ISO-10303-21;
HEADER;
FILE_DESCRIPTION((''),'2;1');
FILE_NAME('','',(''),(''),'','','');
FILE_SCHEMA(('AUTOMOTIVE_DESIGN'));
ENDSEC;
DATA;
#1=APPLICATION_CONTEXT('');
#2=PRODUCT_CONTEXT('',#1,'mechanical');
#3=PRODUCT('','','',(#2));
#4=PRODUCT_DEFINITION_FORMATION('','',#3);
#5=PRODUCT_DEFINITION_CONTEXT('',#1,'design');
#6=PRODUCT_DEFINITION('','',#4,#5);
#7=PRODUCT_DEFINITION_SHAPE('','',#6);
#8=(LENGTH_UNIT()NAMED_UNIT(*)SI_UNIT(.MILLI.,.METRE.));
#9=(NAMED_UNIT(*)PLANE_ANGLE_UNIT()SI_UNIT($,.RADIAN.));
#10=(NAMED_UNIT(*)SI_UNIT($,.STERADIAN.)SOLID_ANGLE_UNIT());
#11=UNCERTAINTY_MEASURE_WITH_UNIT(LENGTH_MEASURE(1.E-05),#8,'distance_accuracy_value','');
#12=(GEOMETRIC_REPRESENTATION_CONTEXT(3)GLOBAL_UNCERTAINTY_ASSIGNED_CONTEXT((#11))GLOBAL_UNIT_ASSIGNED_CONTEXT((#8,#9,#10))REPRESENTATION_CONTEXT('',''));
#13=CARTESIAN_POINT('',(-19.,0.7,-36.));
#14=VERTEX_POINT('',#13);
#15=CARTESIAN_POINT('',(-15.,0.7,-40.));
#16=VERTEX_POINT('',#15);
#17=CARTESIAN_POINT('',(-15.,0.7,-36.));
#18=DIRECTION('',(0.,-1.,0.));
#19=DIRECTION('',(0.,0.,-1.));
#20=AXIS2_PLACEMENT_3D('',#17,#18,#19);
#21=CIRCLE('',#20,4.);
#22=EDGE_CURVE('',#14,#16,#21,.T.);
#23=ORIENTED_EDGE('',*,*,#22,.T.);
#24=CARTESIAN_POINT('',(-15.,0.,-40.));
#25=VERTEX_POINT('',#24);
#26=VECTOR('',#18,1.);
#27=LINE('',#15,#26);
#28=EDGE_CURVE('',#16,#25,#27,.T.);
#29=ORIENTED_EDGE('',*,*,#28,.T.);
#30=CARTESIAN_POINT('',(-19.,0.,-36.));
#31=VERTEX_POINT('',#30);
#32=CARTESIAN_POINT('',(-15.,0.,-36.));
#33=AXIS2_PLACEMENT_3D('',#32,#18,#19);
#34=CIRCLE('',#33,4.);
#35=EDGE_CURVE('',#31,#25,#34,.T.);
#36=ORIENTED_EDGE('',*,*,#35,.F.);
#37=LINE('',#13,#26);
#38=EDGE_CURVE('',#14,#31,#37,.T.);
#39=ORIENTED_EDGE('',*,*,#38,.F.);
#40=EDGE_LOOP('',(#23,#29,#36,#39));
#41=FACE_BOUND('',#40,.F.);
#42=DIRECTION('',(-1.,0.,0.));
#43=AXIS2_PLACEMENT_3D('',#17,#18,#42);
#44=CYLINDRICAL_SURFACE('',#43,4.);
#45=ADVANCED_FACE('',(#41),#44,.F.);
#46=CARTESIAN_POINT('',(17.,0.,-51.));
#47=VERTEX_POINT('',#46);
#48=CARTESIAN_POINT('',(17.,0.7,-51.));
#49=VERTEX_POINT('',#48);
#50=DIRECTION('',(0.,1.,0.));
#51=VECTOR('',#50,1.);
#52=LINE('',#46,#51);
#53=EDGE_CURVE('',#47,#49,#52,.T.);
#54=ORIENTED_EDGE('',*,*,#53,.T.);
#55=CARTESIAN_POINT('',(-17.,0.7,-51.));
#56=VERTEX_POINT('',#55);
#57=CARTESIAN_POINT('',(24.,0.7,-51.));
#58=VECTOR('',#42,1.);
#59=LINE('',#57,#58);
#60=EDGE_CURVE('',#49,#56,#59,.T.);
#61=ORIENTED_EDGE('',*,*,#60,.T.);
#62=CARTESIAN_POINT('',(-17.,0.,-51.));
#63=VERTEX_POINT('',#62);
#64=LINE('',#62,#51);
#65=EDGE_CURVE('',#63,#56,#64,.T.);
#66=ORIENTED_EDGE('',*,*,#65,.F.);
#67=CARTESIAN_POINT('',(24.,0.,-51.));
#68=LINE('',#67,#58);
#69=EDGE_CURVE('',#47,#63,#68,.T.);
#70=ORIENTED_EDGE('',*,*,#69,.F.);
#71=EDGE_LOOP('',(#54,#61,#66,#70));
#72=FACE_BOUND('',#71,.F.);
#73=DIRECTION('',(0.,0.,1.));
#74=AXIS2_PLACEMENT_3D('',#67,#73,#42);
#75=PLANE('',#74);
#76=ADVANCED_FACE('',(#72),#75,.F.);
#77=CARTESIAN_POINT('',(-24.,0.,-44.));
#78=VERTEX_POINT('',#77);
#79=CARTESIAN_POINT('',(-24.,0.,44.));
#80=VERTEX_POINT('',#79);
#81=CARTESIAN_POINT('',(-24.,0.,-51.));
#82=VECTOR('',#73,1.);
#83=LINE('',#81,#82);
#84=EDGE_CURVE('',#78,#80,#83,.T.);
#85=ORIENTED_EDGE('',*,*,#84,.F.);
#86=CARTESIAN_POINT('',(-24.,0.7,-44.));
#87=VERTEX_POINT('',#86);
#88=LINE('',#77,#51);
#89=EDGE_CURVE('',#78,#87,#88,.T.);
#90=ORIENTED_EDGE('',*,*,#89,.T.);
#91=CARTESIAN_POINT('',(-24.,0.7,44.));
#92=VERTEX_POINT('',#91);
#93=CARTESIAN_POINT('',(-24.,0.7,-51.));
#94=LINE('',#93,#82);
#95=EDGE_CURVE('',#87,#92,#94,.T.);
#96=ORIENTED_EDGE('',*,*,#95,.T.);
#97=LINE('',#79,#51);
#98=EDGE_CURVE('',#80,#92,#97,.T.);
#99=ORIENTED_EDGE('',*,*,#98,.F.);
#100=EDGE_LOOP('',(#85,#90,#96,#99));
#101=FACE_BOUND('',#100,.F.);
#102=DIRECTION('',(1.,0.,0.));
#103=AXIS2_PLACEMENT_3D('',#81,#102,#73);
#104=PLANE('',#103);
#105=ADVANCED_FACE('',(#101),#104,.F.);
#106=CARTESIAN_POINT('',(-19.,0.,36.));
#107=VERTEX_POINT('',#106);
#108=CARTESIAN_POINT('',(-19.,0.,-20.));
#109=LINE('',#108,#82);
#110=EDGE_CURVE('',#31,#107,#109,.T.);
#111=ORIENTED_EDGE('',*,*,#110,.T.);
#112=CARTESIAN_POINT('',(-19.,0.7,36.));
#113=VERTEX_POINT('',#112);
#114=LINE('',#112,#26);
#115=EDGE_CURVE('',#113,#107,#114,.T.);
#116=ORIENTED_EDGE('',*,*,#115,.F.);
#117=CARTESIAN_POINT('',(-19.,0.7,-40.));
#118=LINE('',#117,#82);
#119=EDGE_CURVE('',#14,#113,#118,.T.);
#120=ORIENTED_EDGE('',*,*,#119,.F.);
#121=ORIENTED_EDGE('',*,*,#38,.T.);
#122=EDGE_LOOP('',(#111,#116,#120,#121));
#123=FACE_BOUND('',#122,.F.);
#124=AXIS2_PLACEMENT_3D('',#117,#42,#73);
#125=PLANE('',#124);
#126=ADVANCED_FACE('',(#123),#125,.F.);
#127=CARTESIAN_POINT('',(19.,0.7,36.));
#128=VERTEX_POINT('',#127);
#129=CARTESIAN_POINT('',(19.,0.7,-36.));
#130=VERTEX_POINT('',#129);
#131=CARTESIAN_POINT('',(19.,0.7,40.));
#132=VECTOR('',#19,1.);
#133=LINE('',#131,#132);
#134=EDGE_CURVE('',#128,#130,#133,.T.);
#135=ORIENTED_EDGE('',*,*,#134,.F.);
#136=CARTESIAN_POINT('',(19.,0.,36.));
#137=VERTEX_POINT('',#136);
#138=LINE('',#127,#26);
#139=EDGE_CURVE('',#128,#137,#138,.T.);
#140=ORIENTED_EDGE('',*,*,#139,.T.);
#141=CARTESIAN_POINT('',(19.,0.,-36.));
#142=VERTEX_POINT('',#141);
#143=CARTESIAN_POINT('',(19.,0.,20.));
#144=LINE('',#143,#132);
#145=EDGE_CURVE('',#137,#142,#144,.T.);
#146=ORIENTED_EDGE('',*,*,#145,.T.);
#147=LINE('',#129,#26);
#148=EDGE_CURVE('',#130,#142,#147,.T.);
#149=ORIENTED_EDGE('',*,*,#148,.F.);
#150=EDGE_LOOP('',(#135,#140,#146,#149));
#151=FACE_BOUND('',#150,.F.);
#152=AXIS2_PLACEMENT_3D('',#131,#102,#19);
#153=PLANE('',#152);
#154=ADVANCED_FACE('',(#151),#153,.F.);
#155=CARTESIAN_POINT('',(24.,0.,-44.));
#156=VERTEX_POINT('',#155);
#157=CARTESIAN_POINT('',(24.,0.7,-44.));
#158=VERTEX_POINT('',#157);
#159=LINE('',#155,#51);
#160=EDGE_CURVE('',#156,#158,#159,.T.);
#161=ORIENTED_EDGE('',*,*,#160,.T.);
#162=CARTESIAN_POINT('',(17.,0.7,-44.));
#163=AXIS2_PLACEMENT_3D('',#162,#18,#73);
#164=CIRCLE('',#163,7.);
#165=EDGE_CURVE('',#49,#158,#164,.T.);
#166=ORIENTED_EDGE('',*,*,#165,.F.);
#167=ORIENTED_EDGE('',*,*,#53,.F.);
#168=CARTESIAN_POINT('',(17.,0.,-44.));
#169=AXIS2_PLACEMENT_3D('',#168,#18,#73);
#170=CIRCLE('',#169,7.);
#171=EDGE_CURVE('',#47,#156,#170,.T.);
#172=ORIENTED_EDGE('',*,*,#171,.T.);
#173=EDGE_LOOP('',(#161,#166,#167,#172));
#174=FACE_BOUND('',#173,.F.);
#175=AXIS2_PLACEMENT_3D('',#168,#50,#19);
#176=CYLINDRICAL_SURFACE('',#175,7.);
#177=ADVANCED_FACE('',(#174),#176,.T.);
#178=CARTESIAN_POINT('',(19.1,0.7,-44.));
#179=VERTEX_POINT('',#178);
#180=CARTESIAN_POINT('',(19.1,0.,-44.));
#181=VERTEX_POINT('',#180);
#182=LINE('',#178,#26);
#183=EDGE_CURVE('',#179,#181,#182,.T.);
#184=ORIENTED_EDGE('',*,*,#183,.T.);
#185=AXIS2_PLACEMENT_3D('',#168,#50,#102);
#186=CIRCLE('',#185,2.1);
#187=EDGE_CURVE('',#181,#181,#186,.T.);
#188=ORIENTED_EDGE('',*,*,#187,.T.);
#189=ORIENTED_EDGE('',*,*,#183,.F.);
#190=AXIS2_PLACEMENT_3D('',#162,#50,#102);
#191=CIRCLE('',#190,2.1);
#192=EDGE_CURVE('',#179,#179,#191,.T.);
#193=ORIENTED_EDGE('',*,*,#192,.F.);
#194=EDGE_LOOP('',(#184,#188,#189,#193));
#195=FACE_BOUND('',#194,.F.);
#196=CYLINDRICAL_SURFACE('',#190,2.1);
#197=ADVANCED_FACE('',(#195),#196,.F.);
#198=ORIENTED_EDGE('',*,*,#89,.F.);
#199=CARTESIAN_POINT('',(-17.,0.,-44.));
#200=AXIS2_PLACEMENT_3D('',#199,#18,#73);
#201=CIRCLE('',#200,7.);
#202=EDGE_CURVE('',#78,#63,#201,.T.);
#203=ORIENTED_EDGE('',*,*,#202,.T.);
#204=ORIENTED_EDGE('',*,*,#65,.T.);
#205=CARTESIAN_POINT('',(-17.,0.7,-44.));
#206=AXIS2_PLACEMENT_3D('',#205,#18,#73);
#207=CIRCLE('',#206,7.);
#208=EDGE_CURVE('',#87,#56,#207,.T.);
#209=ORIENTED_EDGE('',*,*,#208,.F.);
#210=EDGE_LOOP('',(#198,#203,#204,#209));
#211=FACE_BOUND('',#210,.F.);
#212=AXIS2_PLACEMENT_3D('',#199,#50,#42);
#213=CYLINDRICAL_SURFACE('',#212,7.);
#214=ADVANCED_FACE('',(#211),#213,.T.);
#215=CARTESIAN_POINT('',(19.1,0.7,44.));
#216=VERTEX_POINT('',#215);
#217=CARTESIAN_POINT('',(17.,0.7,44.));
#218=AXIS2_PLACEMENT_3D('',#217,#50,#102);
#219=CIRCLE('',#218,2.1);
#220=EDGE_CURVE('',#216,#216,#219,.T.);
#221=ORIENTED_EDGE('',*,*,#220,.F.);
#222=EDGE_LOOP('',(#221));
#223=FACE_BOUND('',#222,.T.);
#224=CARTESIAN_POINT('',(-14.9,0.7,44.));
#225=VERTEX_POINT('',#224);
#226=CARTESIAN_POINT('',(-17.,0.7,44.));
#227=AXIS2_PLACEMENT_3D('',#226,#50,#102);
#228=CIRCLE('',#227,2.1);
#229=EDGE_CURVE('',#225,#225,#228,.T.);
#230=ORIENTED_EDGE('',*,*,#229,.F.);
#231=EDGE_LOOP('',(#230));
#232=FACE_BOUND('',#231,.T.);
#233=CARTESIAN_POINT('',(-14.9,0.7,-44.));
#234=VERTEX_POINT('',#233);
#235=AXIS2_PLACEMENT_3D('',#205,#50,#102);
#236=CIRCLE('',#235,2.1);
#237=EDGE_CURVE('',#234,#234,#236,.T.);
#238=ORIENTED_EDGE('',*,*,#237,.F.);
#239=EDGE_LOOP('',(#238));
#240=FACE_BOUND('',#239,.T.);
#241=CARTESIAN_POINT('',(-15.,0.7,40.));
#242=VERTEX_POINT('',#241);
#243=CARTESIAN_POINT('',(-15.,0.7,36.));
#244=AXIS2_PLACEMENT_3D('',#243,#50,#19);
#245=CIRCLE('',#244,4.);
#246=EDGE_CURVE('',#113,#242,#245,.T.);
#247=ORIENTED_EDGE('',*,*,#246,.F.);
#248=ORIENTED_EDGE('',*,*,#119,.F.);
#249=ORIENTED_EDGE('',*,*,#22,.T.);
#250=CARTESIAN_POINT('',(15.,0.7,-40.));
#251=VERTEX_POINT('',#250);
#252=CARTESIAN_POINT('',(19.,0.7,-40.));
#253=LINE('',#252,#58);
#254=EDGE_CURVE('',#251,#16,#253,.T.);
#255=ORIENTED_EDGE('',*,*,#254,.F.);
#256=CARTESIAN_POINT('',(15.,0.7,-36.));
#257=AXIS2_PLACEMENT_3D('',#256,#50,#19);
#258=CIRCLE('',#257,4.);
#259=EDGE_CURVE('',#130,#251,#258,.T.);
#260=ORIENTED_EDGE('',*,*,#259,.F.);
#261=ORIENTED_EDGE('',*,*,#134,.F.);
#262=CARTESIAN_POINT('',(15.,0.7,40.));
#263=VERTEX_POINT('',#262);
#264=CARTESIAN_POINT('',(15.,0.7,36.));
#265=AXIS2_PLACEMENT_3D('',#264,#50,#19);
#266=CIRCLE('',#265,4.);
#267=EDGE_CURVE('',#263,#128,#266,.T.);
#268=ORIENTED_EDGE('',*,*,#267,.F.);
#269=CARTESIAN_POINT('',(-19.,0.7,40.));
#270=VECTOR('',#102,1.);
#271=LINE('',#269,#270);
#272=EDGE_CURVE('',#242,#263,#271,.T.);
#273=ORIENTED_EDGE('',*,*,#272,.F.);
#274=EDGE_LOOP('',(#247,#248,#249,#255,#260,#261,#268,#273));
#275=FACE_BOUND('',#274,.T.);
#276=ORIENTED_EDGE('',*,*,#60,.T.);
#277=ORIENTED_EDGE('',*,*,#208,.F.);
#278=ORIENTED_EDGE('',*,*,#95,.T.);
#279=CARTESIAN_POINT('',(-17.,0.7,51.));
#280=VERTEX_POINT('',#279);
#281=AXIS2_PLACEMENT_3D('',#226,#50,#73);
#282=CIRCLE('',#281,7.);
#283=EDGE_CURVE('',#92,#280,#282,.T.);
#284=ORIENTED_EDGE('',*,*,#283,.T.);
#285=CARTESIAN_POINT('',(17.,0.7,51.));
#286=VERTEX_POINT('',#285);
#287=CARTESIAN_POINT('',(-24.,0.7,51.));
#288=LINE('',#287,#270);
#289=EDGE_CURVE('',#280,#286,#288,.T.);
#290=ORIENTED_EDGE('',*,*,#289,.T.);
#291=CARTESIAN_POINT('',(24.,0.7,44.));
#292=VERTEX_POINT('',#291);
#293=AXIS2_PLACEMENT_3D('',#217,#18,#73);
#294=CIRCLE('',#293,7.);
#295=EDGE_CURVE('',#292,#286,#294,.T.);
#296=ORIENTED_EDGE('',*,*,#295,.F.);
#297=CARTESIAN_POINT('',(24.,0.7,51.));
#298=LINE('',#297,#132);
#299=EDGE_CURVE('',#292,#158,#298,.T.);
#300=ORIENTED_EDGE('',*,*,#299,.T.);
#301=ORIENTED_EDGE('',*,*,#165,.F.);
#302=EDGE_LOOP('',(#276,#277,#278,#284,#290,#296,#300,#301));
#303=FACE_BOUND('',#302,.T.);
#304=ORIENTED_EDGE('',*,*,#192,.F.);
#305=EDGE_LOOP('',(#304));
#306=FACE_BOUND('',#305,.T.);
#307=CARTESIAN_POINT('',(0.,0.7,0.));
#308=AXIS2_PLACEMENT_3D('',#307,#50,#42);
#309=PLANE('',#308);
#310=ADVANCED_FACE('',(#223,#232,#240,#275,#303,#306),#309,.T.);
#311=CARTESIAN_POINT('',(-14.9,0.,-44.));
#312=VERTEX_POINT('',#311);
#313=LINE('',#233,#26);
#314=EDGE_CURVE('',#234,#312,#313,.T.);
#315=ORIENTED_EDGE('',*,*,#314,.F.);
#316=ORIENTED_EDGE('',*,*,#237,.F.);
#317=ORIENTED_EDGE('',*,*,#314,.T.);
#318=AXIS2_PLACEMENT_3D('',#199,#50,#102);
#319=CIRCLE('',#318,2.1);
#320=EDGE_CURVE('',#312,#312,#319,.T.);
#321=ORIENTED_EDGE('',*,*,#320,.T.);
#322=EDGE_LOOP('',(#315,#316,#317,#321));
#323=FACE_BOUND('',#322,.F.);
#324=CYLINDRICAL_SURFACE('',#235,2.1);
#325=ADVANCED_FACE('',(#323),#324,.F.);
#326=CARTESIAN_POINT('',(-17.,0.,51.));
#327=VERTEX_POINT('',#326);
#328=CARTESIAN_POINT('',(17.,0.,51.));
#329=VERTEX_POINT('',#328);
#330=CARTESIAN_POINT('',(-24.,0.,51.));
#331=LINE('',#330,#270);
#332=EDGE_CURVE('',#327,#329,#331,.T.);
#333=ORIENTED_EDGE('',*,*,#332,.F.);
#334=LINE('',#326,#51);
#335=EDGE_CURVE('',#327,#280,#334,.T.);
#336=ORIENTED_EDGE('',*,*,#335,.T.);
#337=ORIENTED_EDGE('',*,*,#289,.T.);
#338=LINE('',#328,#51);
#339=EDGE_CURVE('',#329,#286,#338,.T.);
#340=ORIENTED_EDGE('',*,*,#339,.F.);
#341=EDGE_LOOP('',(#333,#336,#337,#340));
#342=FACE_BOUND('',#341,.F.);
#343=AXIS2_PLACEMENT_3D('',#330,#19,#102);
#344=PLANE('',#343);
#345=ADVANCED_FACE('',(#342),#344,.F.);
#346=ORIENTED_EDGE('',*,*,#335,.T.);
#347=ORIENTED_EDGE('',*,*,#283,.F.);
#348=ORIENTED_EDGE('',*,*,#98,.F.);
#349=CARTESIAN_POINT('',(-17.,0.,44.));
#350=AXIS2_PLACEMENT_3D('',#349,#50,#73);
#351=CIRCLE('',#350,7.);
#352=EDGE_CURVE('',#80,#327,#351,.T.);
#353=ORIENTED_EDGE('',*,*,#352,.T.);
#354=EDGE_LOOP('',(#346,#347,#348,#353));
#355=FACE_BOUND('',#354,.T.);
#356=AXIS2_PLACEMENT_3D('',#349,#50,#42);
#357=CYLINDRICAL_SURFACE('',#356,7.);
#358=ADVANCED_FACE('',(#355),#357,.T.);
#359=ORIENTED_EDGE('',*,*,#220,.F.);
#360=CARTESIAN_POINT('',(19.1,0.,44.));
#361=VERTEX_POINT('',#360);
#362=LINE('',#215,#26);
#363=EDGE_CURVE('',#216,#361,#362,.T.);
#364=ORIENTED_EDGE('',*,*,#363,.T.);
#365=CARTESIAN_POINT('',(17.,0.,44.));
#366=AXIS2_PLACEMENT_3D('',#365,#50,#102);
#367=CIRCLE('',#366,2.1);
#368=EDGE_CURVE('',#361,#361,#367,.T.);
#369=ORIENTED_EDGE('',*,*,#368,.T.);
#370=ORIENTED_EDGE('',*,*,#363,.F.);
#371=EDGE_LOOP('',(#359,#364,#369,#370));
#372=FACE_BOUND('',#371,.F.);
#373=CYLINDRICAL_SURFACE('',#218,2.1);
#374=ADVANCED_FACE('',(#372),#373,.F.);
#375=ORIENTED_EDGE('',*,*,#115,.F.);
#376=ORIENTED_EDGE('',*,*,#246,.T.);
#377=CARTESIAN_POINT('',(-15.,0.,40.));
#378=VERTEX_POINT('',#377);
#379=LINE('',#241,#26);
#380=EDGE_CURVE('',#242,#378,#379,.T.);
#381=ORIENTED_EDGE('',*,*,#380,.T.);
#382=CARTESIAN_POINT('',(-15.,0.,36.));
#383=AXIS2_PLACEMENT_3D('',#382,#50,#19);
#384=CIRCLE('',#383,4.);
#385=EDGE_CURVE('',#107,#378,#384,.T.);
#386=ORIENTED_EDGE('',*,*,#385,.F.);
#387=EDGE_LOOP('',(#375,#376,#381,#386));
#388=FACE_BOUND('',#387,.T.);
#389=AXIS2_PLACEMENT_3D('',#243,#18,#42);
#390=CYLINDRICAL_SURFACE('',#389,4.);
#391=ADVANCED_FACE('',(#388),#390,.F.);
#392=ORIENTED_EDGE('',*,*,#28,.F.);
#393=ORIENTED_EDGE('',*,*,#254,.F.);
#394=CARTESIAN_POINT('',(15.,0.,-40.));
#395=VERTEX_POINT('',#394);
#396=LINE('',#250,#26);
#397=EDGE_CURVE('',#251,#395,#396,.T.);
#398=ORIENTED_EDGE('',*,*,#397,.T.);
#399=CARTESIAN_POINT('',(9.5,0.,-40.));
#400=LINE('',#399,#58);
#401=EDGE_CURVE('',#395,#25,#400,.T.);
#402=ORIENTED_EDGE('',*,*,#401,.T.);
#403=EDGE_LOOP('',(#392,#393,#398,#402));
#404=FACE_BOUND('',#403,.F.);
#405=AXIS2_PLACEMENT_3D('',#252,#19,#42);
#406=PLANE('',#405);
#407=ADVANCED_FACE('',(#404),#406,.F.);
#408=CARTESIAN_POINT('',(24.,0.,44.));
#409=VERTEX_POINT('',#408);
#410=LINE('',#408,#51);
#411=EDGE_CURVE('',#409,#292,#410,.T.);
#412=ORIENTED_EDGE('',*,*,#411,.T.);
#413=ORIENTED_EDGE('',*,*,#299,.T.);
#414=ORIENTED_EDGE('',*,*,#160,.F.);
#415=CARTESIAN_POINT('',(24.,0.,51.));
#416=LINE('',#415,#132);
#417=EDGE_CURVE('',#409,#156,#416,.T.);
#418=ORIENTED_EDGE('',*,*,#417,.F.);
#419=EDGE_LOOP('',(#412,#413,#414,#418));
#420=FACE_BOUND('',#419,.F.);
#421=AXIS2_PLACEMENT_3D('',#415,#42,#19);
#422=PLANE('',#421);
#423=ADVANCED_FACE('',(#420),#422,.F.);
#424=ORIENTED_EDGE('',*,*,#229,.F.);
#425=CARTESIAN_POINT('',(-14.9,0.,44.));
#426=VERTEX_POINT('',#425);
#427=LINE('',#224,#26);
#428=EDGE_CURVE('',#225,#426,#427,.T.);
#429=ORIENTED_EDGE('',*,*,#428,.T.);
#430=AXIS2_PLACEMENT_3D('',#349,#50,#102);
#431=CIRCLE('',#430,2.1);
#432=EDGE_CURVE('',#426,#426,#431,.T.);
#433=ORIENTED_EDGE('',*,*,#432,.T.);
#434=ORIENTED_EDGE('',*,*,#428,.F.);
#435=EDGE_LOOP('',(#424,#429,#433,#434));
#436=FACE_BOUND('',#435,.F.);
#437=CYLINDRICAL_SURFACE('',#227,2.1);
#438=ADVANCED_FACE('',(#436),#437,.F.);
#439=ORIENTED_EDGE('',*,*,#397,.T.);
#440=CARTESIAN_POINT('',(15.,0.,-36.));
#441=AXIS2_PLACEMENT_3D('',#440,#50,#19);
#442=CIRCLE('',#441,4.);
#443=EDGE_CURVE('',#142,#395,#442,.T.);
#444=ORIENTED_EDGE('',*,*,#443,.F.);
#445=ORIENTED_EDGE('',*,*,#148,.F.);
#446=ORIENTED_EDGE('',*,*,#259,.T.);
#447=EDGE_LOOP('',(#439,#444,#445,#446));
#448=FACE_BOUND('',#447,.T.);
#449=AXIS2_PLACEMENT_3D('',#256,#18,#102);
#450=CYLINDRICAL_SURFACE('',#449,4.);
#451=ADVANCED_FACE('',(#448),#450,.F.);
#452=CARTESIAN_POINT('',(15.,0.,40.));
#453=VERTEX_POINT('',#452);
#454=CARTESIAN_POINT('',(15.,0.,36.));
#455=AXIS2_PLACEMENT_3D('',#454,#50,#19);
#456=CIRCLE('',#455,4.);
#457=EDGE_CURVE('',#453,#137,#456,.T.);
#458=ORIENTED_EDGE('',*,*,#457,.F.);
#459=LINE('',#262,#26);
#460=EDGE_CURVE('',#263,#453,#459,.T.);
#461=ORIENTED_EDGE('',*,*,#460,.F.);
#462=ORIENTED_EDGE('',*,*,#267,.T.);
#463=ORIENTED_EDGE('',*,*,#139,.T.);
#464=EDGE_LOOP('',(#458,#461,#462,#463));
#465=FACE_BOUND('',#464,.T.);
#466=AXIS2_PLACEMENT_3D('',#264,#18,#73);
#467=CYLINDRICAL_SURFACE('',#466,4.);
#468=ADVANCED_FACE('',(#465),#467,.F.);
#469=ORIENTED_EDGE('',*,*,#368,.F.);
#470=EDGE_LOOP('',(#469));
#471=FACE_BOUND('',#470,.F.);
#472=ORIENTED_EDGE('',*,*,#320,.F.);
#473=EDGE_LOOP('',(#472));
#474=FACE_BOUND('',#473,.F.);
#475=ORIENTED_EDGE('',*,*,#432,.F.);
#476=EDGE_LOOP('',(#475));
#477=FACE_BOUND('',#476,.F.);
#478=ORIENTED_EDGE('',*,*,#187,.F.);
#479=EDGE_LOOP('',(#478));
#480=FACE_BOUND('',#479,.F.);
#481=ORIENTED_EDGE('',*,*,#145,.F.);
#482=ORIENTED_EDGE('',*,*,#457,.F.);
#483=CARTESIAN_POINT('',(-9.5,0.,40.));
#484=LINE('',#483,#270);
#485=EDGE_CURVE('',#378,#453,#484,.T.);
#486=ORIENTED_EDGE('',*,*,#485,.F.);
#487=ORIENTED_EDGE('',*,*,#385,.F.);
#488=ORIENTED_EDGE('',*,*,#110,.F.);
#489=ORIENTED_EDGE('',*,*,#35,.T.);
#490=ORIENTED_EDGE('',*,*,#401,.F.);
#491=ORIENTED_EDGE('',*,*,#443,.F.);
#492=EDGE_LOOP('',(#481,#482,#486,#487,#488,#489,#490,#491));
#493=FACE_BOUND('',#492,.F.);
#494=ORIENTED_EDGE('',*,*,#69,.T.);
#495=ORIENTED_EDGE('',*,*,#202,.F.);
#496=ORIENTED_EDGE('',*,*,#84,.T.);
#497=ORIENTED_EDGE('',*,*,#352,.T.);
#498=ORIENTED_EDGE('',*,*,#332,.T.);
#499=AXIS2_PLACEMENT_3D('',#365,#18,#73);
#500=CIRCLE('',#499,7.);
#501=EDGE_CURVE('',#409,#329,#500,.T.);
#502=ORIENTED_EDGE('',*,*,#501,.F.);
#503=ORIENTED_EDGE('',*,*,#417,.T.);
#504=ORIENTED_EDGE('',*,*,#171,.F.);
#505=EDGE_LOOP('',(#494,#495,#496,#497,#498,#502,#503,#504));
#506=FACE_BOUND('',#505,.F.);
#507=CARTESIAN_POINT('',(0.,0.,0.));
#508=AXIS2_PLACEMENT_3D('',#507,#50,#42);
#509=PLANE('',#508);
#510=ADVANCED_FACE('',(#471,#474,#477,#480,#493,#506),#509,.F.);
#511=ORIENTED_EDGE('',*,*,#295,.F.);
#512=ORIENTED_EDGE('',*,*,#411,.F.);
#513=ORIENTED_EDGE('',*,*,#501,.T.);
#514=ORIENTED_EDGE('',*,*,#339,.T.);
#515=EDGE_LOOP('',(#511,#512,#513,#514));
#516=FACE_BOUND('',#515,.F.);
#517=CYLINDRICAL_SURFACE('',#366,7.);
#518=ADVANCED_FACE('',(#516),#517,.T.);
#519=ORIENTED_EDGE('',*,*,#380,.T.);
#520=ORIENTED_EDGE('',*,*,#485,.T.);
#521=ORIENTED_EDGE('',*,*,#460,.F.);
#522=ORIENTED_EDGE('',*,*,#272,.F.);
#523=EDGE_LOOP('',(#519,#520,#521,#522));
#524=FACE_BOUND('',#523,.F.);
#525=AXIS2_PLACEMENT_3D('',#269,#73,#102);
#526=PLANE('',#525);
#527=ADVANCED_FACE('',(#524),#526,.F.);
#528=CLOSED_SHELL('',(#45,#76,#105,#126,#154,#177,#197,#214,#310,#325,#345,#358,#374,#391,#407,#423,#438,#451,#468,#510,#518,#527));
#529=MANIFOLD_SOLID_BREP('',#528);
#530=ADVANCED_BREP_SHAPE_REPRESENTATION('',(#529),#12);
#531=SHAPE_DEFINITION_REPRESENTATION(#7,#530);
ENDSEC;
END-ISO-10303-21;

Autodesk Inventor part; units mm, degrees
ref_plane "YZ Plane" through (0, 0, 0) normal (1, 0, 0) x (0, 1, 0)
ref_plane "XZ Plane" through (0, 0, 0) normal (0, 1, 0) x (-1, 0, 0)
ref_plane "XY Plane" through (0, 0, 0) normal (0, 0, 1) x (1, 0, 0)
sketch "Sketch1" plane through (0, 0, 0) normal (0, 1, 0) x (-1, 0, 0)
  line L0 (24, 51) -> (-24, 51)
  line L1 (-24, 51) -> (-24, -51)
  line L2 (-24, -51) -> (24, -51)
  line L3 (24, -51) -> (24, 51)
  line L4 (24, 51) -> (-24, -51) construction
  line L5 (-24, 51) -> (24, -51) construction
  point P0 (0, 0)
  dimension "d0" = 48
  dimension "d1" = 102
extrude "Extrusion1" add sketch "Sketch1" along normal blind 0.7
fillet "Fillet1" radius 7 4 edges at (-24, 0.35, 51) (24, 0.35, 51) (24, 0.35, -51) (-24, 0.35, -51)
sketch "Sketch2" plane through (0, 0.7, 0) normal (0, 1, 0) x (1, 0, 0)
  circle A0 centre (-17, 44) radius 2.1
  arc A1 (-17, 51) -> (-24, 44) centre (-17, 44) ccw construction
  circle A2 centre (17, 44) radius 2.1
  arc A3 (24, 44) -> (17, 51) centre (17, 44) ccw construction
  circle A4 centre (-17, -44) radius 2.1
  arc A5 (-24, -44) -> (-17, -51) centre (-17, -44) ccw construction
  circle A6 centre (17, -44) radius 2.1
  arc A7 (17, -51) -> (24, -44) centre (17, -44) ccw construction
  point P0 (0, 0)
  dimension "d5" = 4.2
  dimension "d6" = 4.2
  dimension "d7" = 4.2
  dimension "d8" = 4.2
extrude "Extrusion2" cut sketch "Sketch2" against normal through all
sketch "Sketch3" plane through (0, 0.7, 0) normal (0, 1, 0) x (1, 0, 0)
  line L0 (-19, -40) -> (19, -40)
  line L1 (19, -40) -> (19, 40)
  line L2 (19, 40) -> (-19, 40)
  line L3 (-19, 40) -> (-19, -40)
  line L4 (-19, -40) -> (19, 40) construction
  line L5 (19, -40) -> (-19, 40) construction
  point P0 (0, 0)
  dimension "d11" = 38
  dimension "d12" = 80
extrude "Extrusion3" cut sketch "Sketch3" against normal through all
fillet "Fillet2" radius 4 4 edges at (-19, 0.35, -40) (19, 0.35, -40) (19, 0.35, 40) (-19, 0.35, 40)
properties part number "GearBoxSpacers"
